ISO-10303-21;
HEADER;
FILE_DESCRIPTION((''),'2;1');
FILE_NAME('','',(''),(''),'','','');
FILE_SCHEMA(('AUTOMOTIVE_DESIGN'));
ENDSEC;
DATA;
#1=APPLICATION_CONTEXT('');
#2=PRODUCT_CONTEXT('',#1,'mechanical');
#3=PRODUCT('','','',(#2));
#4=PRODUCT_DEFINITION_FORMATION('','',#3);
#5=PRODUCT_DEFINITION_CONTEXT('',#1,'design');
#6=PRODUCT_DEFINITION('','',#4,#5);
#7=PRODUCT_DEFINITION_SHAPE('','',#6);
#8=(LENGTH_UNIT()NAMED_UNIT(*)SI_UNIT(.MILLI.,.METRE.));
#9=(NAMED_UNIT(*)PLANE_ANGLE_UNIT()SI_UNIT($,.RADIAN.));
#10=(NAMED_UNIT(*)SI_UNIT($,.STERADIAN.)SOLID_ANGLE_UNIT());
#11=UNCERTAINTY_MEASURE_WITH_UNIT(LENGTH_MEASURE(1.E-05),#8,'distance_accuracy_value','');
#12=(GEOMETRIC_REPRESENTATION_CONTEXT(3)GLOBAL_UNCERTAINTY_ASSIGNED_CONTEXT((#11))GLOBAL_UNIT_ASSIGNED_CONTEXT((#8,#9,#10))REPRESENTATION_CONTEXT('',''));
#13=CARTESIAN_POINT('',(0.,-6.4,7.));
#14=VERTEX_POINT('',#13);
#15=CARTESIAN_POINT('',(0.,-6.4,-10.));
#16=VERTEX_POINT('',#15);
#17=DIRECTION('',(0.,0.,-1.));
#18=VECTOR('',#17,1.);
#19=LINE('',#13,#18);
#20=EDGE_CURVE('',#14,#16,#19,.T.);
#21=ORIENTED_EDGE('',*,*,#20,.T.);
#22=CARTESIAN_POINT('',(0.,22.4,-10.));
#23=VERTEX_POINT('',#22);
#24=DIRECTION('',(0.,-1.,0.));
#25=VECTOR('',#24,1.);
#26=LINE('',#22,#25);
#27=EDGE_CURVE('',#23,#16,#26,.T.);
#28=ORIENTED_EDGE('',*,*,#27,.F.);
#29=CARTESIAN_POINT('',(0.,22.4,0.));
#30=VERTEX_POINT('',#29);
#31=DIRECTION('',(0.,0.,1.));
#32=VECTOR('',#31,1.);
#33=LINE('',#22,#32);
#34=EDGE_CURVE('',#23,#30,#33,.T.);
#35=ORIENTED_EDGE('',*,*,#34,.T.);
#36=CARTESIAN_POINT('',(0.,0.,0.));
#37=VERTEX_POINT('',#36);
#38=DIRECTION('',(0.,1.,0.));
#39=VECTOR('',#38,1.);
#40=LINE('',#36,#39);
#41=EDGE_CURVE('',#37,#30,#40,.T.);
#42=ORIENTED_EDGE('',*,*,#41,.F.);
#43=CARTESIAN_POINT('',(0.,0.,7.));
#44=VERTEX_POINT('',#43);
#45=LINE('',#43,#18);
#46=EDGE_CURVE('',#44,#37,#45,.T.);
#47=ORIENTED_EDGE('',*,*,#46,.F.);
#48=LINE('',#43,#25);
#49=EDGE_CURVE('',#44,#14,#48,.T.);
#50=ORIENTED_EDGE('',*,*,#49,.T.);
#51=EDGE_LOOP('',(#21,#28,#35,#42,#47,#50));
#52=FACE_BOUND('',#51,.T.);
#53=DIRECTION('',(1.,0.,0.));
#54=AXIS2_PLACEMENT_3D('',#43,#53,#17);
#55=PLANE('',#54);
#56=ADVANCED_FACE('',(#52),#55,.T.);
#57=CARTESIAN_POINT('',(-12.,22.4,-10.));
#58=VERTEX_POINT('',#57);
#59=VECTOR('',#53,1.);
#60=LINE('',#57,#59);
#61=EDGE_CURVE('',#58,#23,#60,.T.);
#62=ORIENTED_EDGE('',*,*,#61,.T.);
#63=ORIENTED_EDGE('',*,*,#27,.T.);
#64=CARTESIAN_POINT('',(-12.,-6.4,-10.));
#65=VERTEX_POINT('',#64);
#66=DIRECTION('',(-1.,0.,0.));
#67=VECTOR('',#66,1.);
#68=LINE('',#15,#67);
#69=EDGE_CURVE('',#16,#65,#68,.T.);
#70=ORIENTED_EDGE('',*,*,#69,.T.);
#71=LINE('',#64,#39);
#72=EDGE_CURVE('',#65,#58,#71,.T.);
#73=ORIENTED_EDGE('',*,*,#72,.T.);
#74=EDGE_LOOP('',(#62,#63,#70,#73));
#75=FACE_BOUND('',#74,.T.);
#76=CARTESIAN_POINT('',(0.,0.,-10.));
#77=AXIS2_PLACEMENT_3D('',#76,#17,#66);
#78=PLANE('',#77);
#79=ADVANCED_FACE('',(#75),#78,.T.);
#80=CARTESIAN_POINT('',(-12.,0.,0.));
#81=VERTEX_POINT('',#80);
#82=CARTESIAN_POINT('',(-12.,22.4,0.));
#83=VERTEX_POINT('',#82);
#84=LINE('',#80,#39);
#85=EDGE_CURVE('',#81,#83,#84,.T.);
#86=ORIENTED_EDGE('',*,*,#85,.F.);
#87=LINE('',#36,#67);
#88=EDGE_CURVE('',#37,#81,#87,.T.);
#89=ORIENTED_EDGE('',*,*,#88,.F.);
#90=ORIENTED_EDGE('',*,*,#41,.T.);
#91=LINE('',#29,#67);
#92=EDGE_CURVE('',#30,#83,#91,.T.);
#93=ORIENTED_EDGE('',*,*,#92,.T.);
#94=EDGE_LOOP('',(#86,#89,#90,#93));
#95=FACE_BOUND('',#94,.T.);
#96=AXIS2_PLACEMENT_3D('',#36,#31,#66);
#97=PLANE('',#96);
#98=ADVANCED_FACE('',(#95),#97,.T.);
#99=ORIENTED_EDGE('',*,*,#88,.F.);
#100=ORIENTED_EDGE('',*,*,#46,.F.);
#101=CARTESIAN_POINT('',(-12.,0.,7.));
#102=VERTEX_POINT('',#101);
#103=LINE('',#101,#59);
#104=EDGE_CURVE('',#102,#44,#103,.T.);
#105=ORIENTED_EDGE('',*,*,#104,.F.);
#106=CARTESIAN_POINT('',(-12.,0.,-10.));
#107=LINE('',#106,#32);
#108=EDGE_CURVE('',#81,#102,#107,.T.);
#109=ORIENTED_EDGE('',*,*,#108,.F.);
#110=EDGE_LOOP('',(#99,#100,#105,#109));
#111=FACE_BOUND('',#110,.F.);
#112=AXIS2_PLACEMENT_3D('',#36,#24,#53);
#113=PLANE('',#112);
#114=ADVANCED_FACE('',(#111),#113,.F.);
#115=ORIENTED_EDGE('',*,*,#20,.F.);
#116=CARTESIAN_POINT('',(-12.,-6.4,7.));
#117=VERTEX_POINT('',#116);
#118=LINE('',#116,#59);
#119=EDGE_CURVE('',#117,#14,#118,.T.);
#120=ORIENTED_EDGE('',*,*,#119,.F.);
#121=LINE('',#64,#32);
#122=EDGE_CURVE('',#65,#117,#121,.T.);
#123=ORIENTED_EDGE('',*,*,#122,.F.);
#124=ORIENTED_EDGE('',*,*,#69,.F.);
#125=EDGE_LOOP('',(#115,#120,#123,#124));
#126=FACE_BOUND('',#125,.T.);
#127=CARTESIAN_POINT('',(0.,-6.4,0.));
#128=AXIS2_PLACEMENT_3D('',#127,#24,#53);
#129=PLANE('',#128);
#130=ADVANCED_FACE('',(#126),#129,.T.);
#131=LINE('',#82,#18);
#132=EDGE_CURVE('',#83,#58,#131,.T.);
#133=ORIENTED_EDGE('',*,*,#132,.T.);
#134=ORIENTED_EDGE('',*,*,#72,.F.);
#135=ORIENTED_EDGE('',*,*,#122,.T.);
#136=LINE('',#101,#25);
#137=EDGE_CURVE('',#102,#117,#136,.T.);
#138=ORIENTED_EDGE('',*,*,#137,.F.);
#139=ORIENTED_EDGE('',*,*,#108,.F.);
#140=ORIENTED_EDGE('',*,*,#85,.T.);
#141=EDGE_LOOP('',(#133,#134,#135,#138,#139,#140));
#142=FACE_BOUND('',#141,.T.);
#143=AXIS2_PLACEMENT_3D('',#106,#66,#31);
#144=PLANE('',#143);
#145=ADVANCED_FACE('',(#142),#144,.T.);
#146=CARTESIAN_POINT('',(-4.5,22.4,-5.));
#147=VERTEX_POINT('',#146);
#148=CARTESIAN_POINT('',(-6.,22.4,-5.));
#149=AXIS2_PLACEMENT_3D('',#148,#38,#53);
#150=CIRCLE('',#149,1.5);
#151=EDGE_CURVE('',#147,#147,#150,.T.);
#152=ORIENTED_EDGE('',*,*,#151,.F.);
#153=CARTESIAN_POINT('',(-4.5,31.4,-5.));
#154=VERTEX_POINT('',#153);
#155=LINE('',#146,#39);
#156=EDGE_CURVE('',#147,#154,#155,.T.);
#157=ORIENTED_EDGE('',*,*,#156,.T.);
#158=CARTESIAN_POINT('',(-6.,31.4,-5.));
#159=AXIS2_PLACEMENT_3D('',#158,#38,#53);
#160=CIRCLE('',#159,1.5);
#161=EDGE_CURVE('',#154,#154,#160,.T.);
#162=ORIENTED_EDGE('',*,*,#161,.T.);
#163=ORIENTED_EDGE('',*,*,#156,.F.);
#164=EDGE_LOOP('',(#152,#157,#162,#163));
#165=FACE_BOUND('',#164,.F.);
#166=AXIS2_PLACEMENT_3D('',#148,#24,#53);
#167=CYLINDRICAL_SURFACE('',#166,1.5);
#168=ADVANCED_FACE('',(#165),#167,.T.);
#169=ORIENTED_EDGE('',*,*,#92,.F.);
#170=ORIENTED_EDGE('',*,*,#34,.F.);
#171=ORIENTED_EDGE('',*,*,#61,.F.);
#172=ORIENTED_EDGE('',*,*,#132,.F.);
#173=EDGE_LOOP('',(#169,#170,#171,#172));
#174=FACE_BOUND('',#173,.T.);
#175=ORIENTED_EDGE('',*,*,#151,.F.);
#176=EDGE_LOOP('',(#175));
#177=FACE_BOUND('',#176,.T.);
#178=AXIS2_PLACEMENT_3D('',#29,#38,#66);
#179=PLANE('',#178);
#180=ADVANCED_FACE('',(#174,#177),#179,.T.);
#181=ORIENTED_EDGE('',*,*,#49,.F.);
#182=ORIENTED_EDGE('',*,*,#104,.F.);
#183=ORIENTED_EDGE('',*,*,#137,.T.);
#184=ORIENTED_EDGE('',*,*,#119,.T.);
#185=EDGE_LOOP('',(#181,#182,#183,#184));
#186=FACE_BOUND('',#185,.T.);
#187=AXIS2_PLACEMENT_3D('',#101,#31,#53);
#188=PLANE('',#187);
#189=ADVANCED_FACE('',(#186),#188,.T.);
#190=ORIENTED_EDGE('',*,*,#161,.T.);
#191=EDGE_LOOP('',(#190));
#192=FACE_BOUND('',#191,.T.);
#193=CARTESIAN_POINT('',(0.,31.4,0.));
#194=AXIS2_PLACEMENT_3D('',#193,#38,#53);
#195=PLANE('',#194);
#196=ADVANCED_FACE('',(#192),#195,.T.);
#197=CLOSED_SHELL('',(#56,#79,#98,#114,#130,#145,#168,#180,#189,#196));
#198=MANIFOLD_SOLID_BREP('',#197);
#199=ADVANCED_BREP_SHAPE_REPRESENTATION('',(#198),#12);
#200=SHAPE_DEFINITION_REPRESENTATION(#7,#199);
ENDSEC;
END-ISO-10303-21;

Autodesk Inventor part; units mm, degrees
ref_plane "YZ Plane" through (0, 0, 0) normal (1, 0, 0) x (0, 1, 0)
ref_plane "XZ Plane" through (0, 0, 0) normal (0, 1, 0) x (-1, 0, 0)
ref_plane "XY Plane" through (0, 0, 0) normal (0, 0, 1) x (1, 0, 0)
sketch "Esquisse1" plane through (0, 0, 0) normal (0, 1, 0) x (-1, 0, 0)
  line L0 (0, 0) -> (12, 0)
  line L1 (12, 0) -> (12, -10)
  line L2 (12, -10) -> (0, -10)
  line L3 (0, -10) -> (0, 0)
  dimension "d0" = 10
  dimension "d1" = 12
extrude "Extrusion1" add sketch "Esquisse1" along normal blind 22.4
sketch "Esquisse2" plane through (0, 22.4, 0) normal (0, 1, 0) x (1, 0, 0)
  line L0 (-12, 0) -> (0, 0) construction
  line L1 (0, 0) -> (0, 10) construction
  line L2 (0, 10) -> (-12, 10) construction
  line L3 (-12, 10) -> (-12, 0) construction
  line L4 (-12, 5) -> (0, 5) construction
  line L5 (0, 0) -> (0, 10) construction
  circle A0 centre (-6, 5) radius 1.5
  dimension "d4" = 3
extrude "Extrusion2" add sketch "Esquisse2" along normal blind 9
sketch "Esquisse3" plane through (0, 0, 0) normal (0, -1, 0) x (1, 0, 0)
  line L0 (0, 0) -> (-12, 0) construction
  line L1 (-12, 0) -> (-12, -10) construction
  line L2 (-12, -10) -> (0, -10) construction
  line L3 (0, -10) -> (0, 0) construction
  line L4 (0, -10) -> (-12, -10)
  line L5 (-12, -10) -> (-12, 7)
  line L6 (-12, 7) -> (0, 7)
  line L7 (0, 7) -> (0, -10)
  line L8 (-12, 0) -> (-12, -10) projected
  dimension "d7" = 17
extrude "Extrusion3" add sketch "Esquisse3" along normal blind 6.4
properties part number "motor"
